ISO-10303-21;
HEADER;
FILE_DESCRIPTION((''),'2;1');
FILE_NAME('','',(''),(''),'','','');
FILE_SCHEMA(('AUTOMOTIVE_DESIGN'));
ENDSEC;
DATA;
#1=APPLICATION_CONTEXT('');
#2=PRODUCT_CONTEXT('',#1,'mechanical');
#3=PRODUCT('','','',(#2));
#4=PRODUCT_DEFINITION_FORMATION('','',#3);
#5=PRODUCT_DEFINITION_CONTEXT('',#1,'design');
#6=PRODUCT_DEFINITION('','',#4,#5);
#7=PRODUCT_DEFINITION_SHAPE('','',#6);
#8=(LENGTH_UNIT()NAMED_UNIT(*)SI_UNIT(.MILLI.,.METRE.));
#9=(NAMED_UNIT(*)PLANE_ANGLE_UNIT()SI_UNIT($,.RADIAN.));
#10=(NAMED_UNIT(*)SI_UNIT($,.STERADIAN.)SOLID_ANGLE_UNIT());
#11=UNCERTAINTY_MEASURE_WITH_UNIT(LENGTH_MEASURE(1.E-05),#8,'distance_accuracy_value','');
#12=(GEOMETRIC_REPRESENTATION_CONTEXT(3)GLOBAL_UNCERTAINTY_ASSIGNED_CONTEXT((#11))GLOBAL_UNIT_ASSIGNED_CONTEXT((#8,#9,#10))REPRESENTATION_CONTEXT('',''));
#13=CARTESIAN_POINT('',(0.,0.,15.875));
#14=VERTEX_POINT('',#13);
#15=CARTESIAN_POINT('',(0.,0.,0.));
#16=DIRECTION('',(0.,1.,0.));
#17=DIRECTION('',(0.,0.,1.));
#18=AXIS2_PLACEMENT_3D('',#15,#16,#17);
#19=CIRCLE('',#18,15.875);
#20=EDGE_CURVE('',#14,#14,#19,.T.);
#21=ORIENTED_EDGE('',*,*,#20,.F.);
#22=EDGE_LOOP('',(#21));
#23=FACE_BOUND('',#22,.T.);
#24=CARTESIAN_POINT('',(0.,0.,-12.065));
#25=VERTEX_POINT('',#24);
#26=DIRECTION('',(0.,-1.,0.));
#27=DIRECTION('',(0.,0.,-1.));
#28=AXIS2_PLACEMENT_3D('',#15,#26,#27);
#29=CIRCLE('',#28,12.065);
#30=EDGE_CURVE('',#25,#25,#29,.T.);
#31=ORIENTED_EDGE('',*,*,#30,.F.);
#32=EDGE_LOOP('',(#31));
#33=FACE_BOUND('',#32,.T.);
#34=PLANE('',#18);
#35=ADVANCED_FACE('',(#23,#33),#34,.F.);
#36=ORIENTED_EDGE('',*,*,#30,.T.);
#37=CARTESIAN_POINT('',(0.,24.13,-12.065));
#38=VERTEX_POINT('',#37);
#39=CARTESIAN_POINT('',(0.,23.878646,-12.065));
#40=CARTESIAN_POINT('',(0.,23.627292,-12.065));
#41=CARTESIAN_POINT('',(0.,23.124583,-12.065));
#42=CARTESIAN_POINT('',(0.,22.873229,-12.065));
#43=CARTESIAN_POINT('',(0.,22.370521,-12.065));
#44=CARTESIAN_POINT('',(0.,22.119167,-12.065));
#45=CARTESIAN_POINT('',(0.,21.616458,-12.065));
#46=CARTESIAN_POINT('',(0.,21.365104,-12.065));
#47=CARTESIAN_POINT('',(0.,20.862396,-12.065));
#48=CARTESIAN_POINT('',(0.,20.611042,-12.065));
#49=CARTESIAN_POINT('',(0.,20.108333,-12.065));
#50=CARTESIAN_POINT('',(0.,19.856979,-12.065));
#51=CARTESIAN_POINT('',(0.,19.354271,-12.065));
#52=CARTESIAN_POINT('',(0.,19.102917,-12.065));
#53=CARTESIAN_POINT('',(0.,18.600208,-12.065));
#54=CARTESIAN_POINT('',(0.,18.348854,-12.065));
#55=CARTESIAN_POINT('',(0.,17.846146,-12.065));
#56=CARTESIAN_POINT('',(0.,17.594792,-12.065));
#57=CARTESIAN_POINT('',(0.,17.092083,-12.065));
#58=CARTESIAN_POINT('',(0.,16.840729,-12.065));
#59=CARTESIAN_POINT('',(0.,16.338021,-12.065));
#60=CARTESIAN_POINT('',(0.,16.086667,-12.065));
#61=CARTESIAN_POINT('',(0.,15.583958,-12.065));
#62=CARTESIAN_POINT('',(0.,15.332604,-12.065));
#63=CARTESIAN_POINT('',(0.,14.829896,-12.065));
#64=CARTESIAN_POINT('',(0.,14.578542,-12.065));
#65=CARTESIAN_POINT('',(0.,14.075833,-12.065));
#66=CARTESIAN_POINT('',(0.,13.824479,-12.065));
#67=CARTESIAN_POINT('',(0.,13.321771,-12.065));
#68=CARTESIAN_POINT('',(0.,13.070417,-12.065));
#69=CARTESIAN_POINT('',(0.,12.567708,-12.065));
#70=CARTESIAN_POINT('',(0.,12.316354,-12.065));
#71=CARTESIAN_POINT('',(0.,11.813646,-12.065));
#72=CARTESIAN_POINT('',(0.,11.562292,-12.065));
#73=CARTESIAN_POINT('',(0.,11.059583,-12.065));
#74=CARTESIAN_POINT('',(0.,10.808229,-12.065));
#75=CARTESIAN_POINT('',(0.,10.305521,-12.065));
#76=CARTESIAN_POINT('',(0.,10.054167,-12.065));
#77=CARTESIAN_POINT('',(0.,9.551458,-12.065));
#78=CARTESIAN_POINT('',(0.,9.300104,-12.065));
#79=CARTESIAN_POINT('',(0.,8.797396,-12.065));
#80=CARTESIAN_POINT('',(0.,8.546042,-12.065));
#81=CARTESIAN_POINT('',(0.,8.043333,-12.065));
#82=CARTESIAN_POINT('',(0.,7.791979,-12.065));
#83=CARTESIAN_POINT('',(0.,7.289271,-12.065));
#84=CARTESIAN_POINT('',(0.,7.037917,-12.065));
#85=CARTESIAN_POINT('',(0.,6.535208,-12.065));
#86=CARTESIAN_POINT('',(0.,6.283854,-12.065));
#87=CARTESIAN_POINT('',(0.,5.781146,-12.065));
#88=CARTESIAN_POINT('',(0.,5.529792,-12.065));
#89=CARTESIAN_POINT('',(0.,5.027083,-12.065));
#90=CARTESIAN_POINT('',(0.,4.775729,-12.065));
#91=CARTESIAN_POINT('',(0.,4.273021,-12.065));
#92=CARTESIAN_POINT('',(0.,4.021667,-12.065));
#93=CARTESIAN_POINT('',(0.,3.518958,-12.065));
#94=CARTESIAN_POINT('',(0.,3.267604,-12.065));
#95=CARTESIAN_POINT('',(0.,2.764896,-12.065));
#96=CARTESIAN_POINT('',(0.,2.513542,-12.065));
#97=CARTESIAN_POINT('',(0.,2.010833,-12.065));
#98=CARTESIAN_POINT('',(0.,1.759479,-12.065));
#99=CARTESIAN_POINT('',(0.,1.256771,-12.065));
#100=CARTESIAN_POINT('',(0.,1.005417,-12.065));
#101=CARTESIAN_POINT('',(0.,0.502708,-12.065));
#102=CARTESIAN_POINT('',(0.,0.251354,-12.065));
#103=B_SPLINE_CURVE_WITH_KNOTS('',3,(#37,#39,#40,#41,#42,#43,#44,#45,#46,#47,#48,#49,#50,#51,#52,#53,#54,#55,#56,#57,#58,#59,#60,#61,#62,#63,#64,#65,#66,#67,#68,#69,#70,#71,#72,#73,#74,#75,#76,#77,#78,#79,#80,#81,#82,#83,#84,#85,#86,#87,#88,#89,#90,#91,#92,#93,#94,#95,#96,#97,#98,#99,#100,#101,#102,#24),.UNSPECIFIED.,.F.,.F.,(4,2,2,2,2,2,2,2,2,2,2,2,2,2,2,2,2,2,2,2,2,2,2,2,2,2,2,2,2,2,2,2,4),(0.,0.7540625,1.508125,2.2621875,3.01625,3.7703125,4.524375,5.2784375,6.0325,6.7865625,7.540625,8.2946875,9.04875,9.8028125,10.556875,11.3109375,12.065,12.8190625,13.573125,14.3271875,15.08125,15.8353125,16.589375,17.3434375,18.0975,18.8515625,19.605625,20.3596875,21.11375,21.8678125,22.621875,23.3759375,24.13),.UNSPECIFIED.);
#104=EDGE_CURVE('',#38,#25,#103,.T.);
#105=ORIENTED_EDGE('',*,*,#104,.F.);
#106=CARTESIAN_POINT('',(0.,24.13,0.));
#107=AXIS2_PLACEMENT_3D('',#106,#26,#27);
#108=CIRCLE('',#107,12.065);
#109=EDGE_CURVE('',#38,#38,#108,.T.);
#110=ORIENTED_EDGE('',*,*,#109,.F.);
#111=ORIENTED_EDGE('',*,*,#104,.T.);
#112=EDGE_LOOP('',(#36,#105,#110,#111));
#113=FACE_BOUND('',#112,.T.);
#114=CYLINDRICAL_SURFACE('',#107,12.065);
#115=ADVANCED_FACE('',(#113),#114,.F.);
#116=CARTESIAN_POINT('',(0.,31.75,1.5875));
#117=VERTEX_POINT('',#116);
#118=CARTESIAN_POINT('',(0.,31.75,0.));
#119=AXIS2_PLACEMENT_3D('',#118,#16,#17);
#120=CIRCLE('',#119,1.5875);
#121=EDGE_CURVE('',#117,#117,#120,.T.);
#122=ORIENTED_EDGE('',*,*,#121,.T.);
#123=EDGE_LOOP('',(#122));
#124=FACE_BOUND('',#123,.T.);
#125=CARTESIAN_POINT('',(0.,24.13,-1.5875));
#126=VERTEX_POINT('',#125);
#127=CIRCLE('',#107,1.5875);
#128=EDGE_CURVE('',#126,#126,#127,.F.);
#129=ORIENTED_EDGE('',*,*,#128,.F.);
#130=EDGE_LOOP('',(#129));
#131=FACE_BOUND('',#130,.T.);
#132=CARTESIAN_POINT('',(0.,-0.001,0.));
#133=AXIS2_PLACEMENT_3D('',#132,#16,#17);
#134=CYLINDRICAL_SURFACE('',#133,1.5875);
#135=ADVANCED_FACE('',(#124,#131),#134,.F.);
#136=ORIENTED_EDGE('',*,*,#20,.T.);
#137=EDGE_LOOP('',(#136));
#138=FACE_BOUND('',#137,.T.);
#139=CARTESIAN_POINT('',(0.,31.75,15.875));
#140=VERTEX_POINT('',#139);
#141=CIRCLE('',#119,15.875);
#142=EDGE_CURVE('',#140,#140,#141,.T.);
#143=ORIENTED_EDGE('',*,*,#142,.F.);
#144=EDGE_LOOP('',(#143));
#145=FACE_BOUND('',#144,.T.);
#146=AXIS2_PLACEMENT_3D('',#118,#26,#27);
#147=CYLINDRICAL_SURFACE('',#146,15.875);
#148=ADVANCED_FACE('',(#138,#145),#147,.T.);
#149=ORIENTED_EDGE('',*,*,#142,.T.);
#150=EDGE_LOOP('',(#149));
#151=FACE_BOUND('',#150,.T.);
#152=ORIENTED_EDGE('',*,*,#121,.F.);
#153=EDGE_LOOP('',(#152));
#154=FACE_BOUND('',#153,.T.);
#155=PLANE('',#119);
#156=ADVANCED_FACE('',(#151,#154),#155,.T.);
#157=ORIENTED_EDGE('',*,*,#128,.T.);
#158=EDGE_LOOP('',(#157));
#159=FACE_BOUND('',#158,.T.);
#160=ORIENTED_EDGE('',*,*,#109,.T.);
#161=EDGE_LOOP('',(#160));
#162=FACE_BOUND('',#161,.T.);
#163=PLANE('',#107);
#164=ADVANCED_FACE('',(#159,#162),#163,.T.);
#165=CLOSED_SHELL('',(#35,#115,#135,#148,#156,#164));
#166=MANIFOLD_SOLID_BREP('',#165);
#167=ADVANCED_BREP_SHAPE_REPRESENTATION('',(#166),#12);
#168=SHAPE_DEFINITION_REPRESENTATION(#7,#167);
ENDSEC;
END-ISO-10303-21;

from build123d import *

# Parameters (mm, degrees)
SKETCH2_R           = 15.875
BOSS_EXTRUDE1_DEPTH = 31.75
SKETCH3_R           = 12.065
CUT_EXTRUDE1_DEPTH  = 24.13
CUT_EXTRUDE2_REACH  = 40.886
SKETCH4_R           = 1.5875


with BuildPart() as part:
    # Sketch2 → Boss-Extrude1 (new body)
    with BuildSketch(Plane(origin=(0, 0, 0), x_dir=(1, 0, 0), z_dir=(0, 1, 0))):
        with Locations(Location((0, 0, 0), (0, 0, 270))):
            Circle(SKETCH2_R)
    extrude(amount=BOSS_EXTRUDE1_DEPTH)

    # Sketch3 → Cut-Extrude1 (cut)
    with BuildSketch(Plane.XZ):
        with Locations(Location((0, 0, 0), (0, 0, 270))):
            Circle(SKETCH3_R)
    extrude(amount=-CUT_EXTRUDE1_DEPTH, mode=Mode.SUBTRACT)

    # Sketch4 → Cut-Extrude2 (cut, up to next)
    with BuildSketch(Plane(origin=(0, 31.75, 0), x_dir=(1, 0, 0), z_dir=(0, 1, 0)), mode=Mode.PRIVATE) as cut_extrude2_sk1:
        with Locations(Location((0, 0, 0), (0, 0, 270))):
            Circle(SKETCH4_R)
    cut_extrude2_tool1 = extrude(cut_extrude2_sk1.sketch, amount=-CUT_EXTRUDE2_REACH, mode=Mode.PRIVATE) & part.part
    add(cut_extrude2_tool1.solids().sort_by_distance((0, 31.75, 0))[0], mode=Mode.SUBTRACT)


solid = part.part
